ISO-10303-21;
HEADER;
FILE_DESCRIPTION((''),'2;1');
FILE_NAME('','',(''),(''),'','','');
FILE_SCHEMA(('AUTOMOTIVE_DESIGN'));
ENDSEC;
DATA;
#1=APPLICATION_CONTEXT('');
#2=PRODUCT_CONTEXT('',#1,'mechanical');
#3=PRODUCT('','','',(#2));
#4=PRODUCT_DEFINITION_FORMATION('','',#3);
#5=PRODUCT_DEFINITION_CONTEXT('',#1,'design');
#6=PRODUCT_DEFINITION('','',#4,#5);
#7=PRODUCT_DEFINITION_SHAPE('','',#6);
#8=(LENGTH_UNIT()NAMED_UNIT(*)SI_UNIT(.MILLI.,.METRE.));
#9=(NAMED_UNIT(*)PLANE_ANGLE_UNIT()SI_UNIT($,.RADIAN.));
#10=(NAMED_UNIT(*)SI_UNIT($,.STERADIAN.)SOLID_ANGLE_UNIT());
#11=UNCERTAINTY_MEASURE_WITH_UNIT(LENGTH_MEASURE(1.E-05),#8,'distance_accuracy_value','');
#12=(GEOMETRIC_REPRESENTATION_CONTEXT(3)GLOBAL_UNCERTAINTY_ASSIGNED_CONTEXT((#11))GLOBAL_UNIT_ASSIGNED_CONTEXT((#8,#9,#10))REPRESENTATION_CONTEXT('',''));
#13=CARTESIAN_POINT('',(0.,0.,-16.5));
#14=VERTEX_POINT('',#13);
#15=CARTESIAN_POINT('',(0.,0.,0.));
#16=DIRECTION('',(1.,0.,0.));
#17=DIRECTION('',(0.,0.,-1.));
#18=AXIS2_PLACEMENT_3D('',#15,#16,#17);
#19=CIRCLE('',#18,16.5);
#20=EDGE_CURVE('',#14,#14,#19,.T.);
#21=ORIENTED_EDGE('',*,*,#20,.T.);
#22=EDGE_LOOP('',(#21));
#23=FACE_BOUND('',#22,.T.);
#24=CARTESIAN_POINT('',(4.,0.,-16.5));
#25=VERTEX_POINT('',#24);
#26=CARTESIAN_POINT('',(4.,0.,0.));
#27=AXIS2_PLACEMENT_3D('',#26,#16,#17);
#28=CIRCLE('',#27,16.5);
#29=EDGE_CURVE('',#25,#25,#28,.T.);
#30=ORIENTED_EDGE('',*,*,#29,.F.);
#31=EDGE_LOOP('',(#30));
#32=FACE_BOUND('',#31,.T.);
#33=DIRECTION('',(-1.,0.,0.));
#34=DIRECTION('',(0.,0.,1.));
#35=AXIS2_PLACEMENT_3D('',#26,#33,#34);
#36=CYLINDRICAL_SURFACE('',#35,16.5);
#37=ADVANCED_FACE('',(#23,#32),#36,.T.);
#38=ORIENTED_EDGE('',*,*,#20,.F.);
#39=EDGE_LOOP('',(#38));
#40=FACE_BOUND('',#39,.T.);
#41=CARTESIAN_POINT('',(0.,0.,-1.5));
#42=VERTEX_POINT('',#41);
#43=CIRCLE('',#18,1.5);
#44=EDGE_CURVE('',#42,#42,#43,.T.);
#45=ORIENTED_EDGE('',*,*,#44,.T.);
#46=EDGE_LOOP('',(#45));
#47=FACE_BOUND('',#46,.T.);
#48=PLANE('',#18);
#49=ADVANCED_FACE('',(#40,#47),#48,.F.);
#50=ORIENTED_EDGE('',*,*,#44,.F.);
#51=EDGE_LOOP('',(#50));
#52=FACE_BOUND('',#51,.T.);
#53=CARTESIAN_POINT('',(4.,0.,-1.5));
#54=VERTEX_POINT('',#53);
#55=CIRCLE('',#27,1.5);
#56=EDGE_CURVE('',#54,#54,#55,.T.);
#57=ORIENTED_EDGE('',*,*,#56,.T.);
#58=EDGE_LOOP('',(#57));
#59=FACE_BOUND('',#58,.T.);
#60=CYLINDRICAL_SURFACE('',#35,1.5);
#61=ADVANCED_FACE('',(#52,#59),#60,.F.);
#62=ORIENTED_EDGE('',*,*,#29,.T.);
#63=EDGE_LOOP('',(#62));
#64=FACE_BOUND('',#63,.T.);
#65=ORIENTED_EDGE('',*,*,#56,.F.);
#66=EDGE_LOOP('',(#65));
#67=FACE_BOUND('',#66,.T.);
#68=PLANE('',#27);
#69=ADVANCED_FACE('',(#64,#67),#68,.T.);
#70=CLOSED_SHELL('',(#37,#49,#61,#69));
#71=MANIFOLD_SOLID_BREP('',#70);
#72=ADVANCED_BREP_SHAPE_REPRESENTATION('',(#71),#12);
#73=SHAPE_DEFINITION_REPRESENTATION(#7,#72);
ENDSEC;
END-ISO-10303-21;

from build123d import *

# Parameters (mm, degrees)
ESBO_O1_R                = 16.5
ESBO_O1_R_2              = 1.5
RESSALTO_EXTRUS_O1_DEPTH = 4


with BuildPart() as part:
    # Esboço1 → Ressalto-extrusão1 (new body)
    with BuildSketch(Plane(origin=(0, 0, 0), x_dir=(0, 0, -1), z_dir=(1, 0, 0))):
        Circle(ESBO_O1_R)
        Circle(ESBO_O1_R_2, mode=Mode.SUBTRACT)
    extrude(amount=RESSALTO_EXTRUS_O1_DEPTH)


solid = part.part
